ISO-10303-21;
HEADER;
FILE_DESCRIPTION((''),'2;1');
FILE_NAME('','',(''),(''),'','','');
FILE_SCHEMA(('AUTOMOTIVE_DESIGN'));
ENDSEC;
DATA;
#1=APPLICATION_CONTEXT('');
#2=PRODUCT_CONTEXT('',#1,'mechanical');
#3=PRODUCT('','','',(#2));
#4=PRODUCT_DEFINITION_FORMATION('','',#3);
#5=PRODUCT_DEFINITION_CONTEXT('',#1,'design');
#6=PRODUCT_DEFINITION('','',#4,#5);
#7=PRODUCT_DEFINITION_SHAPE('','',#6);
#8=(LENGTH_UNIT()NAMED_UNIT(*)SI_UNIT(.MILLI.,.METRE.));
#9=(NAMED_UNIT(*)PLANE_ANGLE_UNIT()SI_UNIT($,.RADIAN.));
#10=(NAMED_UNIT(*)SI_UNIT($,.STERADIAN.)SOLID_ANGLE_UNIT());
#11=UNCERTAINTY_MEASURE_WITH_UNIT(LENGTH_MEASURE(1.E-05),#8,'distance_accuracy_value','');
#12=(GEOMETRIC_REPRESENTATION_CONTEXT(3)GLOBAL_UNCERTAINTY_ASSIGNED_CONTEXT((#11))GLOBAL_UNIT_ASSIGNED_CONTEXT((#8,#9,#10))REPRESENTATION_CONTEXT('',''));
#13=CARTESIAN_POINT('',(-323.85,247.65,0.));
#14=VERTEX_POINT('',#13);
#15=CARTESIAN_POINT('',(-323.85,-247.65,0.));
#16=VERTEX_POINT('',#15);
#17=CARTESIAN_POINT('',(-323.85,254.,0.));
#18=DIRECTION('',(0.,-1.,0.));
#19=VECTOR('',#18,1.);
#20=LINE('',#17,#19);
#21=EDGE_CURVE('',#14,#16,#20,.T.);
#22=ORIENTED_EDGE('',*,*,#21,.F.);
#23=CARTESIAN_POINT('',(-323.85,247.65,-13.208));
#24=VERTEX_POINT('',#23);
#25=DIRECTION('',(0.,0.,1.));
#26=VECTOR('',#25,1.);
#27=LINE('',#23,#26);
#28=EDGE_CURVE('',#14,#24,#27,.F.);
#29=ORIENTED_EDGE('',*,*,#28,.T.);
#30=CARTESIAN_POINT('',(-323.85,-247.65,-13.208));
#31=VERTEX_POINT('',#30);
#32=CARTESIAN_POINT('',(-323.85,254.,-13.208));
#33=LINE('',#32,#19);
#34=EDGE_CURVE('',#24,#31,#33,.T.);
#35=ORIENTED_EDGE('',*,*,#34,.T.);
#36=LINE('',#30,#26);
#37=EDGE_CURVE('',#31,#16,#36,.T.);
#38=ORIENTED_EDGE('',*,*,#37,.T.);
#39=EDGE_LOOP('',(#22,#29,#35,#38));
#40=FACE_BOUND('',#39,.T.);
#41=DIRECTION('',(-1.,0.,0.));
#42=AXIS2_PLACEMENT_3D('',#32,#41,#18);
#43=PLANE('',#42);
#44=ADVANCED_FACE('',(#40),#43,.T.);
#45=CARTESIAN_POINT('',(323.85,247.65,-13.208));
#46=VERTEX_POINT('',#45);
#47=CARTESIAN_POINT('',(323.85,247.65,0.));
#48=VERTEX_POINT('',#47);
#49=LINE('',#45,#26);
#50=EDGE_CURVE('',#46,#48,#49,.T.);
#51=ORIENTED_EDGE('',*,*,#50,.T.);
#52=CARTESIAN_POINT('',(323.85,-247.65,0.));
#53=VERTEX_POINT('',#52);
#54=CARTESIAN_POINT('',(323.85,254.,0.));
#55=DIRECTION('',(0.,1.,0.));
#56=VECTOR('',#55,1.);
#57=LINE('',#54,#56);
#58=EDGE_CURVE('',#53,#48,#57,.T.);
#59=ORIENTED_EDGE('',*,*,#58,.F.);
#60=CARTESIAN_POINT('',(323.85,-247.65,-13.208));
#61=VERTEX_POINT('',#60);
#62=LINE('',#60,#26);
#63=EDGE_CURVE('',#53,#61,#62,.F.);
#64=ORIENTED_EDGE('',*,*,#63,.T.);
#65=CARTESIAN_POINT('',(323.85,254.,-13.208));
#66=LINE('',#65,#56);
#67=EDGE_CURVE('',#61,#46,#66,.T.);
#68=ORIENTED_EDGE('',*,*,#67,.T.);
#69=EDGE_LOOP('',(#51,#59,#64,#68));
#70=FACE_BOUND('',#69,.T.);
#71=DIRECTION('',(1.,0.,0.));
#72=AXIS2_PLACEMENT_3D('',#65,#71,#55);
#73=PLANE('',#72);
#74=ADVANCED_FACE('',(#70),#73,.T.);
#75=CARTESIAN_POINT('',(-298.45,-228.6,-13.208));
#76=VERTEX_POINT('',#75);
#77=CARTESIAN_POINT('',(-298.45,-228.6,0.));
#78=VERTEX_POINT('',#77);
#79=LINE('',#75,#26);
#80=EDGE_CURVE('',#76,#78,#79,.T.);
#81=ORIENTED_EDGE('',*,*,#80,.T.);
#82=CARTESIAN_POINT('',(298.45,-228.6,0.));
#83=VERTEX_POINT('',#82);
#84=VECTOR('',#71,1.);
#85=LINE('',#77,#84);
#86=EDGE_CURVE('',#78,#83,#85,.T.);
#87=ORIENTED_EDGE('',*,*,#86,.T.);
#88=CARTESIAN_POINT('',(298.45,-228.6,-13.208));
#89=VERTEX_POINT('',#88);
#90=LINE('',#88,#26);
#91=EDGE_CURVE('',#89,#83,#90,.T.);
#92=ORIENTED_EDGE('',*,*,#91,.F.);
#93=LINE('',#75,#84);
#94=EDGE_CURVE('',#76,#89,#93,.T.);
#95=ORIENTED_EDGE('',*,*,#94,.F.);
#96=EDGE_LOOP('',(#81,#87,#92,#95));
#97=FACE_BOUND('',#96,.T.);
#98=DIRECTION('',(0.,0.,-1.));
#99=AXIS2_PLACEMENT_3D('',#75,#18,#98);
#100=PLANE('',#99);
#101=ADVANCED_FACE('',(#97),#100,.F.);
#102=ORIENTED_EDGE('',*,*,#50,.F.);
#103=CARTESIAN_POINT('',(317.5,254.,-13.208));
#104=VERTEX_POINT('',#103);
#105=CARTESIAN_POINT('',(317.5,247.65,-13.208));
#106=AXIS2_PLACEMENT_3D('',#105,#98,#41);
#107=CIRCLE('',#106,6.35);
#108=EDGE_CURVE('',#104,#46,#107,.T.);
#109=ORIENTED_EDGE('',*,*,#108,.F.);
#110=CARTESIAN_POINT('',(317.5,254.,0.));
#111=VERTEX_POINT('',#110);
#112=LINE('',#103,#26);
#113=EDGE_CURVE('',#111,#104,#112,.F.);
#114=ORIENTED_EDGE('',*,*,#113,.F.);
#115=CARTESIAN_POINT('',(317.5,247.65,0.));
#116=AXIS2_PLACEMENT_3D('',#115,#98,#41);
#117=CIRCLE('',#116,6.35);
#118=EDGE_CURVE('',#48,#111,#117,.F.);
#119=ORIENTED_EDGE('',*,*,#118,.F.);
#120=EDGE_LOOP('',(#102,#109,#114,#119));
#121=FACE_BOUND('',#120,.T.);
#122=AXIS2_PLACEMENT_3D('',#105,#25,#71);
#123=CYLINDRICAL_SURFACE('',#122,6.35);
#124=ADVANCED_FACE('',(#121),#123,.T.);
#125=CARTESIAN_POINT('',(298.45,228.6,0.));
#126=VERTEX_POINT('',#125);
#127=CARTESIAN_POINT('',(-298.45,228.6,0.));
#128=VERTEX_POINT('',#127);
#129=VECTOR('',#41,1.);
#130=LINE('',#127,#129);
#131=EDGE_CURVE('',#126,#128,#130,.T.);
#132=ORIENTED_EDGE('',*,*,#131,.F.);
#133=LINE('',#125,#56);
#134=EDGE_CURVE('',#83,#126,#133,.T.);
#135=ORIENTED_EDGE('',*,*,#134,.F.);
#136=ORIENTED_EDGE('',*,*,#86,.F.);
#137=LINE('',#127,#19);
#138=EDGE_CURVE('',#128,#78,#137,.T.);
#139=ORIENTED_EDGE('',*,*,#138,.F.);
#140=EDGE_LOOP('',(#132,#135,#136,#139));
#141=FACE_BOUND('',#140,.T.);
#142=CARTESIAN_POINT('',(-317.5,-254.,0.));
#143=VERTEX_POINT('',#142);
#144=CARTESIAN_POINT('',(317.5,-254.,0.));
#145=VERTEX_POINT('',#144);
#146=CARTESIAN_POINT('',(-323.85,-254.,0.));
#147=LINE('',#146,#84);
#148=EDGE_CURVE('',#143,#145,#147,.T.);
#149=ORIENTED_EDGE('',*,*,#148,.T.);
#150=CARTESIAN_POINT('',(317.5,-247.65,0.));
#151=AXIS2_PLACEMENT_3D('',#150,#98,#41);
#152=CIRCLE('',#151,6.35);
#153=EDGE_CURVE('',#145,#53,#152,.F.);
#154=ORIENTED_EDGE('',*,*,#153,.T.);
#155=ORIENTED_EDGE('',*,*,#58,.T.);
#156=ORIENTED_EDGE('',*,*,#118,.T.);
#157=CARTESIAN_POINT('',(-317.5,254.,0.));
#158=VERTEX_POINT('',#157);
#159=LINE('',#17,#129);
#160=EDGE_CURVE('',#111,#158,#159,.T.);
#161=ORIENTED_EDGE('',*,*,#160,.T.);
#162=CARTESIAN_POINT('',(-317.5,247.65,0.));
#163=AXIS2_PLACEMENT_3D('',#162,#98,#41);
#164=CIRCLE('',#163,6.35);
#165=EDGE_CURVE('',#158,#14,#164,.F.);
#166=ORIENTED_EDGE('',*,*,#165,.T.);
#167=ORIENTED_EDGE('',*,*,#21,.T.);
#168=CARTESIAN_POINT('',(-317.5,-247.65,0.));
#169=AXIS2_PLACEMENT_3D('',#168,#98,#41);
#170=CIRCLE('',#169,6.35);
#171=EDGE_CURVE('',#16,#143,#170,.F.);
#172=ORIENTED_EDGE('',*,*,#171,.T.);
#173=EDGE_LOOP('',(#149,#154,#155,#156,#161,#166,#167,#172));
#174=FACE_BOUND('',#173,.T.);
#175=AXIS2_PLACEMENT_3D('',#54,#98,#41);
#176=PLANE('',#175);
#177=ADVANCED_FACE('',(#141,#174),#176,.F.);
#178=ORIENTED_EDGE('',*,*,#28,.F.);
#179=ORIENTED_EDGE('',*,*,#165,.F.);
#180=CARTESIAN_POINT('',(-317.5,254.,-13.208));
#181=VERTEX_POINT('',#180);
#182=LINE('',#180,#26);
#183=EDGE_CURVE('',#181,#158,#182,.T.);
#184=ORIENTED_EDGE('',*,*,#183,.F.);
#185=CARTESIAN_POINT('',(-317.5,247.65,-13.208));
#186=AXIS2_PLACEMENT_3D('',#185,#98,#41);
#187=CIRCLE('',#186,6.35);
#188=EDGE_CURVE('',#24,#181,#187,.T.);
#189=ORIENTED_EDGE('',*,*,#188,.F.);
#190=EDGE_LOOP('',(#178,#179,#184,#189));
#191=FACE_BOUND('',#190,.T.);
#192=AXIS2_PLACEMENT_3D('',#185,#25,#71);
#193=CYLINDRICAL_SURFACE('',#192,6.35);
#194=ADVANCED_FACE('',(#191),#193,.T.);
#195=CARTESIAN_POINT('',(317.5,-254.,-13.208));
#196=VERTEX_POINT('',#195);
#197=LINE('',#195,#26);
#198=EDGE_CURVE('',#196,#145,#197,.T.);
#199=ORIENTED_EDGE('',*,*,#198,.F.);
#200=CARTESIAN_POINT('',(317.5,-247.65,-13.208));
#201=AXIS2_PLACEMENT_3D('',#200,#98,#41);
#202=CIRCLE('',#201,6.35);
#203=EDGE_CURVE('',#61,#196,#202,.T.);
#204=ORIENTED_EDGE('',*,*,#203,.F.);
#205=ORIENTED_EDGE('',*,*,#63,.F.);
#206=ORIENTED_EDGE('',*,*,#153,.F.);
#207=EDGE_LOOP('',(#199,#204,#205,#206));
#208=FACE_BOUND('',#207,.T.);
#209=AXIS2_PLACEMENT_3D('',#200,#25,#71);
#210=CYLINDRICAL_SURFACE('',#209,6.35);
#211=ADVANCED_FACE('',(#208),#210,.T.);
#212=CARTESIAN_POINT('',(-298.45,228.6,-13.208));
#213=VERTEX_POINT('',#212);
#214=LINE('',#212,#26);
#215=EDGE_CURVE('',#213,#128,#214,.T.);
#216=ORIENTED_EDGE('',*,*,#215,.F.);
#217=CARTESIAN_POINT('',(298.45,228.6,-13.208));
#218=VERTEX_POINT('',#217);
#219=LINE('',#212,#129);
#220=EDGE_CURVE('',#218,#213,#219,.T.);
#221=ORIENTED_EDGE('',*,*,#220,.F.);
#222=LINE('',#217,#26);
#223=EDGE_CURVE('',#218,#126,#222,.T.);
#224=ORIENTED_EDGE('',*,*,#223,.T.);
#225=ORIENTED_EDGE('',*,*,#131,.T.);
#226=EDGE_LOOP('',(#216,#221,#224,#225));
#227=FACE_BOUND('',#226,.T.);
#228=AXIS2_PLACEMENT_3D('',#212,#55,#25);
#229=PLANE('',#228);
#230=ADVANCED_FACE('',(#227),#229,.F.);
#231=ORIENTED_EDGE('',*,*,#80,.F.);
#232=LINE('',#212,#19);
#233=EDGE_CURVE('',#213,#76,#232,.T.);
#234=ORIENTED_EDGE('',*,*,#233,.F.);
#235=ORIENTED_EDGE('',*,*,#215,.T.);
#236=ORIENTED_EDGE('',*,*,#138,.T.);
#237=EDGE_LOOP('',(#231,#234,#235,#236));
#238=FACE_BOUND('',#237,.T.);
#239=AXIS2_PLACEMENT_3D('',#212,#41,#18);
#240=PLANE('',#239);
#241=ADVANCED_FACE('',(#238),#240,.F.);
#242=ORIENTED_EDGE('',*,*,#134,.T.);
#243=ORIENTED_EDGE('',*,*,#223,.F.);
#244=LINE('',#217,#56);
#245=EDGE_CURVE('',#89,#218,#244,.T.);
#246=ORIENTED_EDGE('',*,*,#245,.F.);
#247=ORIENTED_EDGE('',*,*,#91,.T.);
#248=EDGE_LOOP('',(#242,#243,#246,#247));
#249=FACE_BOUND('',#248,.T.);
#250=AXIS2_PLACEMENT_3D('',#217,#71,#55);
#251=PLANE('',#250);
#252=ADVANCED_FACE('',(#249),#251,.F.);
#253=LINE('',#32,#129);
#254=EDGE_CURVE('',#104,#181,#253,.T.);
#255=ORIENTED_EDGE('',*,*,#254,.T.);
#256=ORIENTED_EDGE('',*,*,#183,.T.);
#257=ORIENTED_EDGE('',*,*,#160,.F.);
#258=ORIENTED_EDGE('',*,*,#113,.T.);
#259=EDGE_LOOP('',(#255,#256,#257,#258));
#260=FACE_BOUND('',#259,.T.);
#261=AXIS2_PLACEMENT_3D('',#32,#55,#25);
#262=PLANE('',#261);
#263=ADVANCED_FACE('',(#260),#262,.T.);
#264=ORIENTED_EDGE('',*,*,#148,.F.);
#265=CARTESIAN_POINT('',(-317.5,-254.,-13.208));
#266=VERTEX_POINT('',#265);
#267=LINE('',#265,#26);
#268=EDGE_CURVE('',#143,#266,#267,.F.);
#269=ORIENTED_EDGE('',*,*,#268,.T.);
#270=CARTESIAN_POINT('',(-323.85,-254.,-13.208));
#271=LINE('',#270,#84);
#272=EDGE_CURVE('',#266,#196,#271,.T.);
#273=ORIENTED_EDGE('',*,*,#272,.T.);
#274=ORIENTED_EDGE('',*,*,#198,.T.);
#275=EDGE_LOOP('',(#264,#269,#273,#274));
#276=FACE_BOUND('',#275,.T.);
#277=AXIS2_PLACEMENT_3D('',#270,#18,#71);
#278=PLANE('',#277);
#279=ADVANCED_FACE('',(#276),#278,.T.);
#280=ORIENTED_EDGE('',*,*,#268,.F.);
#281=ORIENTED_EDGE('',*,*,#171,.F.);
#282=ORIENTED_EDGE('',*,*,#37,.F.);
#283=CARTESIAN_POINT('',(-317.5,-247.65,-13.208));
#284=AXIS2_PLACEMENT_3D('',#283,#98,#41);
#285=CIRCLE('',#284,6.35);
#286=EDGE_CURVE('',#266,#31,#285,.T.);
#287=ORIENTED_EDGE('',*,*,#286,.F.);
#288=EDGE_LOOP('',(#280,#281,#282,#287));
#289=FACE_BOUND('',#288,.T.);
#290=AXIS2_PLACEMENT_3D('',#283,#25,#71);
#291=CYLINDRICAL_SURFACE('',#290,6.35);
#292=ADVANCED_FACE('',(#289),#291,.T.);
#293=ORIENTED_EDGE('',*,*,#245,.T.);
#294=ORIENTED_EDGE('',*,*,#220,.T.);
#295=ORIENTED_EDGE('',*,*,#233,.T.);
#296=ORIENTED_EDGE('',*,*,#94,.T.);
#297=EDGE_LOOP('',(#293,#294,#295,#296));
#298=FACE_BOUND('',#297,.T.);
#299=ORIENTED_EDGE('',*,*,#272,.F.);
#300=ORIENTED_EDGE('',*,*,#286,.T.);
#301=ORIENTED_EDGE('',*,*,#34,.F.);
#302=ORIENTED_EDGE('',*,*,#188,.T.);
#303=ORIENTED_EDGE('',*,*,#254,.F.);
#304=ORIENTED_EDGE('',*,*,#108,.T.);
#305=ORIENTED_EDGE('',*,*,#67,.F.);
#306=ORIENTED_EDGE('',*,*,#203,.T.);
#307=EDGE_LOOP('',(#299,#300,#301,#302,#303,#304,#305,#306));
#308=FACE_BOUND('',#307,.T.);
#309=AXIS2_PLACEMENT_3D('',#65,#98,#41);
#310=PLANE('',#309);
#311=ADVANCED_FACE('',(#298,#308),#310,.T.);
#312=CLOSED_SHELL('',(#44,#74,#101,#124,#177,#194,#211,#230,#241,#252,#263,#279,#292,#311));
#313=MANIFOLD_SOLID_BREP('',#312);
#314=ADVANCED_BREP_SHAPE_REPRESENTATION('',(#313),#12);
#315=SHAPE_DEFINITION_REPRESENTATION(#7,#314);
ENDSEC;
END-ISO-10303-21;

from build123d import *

# Parameters (mm, degrees)
SKETCH1_W      = 647.7
SKETCH1_H      = 508
SKETCH1_W_2    = 596.9
SKETCH1_H_2    = 457.2
EXTRUDE1_DEPTH = 13.208
FILLET1_R      = 6.35


with BuildPart() as part:
    # Sketch1 → Extrude1 (new body)
    with BuildSketch(Plane.XY):
        Rectangle(SKETCH1_W, SKETCH1_H)
        Rectangle(SKETCH1_W_2, SKETCH1_H_2, mode=Mode.SUBTRACT)
    extrude(amount=-EXTRUDE1_DEPTH)

    # Fillet1
    fillet1_edges = [part.edges().sort_by_distance(p)[0] for p in [
        (323.85, 254, -6.604),
        (323.85, -254, -6.604),
        (-323.85, -254, -6.604),
        (-323.85, 254, -6.604),
    ]]
    fillet(fillet1_edges, radius=FILLET1_R)


solid = part.part
